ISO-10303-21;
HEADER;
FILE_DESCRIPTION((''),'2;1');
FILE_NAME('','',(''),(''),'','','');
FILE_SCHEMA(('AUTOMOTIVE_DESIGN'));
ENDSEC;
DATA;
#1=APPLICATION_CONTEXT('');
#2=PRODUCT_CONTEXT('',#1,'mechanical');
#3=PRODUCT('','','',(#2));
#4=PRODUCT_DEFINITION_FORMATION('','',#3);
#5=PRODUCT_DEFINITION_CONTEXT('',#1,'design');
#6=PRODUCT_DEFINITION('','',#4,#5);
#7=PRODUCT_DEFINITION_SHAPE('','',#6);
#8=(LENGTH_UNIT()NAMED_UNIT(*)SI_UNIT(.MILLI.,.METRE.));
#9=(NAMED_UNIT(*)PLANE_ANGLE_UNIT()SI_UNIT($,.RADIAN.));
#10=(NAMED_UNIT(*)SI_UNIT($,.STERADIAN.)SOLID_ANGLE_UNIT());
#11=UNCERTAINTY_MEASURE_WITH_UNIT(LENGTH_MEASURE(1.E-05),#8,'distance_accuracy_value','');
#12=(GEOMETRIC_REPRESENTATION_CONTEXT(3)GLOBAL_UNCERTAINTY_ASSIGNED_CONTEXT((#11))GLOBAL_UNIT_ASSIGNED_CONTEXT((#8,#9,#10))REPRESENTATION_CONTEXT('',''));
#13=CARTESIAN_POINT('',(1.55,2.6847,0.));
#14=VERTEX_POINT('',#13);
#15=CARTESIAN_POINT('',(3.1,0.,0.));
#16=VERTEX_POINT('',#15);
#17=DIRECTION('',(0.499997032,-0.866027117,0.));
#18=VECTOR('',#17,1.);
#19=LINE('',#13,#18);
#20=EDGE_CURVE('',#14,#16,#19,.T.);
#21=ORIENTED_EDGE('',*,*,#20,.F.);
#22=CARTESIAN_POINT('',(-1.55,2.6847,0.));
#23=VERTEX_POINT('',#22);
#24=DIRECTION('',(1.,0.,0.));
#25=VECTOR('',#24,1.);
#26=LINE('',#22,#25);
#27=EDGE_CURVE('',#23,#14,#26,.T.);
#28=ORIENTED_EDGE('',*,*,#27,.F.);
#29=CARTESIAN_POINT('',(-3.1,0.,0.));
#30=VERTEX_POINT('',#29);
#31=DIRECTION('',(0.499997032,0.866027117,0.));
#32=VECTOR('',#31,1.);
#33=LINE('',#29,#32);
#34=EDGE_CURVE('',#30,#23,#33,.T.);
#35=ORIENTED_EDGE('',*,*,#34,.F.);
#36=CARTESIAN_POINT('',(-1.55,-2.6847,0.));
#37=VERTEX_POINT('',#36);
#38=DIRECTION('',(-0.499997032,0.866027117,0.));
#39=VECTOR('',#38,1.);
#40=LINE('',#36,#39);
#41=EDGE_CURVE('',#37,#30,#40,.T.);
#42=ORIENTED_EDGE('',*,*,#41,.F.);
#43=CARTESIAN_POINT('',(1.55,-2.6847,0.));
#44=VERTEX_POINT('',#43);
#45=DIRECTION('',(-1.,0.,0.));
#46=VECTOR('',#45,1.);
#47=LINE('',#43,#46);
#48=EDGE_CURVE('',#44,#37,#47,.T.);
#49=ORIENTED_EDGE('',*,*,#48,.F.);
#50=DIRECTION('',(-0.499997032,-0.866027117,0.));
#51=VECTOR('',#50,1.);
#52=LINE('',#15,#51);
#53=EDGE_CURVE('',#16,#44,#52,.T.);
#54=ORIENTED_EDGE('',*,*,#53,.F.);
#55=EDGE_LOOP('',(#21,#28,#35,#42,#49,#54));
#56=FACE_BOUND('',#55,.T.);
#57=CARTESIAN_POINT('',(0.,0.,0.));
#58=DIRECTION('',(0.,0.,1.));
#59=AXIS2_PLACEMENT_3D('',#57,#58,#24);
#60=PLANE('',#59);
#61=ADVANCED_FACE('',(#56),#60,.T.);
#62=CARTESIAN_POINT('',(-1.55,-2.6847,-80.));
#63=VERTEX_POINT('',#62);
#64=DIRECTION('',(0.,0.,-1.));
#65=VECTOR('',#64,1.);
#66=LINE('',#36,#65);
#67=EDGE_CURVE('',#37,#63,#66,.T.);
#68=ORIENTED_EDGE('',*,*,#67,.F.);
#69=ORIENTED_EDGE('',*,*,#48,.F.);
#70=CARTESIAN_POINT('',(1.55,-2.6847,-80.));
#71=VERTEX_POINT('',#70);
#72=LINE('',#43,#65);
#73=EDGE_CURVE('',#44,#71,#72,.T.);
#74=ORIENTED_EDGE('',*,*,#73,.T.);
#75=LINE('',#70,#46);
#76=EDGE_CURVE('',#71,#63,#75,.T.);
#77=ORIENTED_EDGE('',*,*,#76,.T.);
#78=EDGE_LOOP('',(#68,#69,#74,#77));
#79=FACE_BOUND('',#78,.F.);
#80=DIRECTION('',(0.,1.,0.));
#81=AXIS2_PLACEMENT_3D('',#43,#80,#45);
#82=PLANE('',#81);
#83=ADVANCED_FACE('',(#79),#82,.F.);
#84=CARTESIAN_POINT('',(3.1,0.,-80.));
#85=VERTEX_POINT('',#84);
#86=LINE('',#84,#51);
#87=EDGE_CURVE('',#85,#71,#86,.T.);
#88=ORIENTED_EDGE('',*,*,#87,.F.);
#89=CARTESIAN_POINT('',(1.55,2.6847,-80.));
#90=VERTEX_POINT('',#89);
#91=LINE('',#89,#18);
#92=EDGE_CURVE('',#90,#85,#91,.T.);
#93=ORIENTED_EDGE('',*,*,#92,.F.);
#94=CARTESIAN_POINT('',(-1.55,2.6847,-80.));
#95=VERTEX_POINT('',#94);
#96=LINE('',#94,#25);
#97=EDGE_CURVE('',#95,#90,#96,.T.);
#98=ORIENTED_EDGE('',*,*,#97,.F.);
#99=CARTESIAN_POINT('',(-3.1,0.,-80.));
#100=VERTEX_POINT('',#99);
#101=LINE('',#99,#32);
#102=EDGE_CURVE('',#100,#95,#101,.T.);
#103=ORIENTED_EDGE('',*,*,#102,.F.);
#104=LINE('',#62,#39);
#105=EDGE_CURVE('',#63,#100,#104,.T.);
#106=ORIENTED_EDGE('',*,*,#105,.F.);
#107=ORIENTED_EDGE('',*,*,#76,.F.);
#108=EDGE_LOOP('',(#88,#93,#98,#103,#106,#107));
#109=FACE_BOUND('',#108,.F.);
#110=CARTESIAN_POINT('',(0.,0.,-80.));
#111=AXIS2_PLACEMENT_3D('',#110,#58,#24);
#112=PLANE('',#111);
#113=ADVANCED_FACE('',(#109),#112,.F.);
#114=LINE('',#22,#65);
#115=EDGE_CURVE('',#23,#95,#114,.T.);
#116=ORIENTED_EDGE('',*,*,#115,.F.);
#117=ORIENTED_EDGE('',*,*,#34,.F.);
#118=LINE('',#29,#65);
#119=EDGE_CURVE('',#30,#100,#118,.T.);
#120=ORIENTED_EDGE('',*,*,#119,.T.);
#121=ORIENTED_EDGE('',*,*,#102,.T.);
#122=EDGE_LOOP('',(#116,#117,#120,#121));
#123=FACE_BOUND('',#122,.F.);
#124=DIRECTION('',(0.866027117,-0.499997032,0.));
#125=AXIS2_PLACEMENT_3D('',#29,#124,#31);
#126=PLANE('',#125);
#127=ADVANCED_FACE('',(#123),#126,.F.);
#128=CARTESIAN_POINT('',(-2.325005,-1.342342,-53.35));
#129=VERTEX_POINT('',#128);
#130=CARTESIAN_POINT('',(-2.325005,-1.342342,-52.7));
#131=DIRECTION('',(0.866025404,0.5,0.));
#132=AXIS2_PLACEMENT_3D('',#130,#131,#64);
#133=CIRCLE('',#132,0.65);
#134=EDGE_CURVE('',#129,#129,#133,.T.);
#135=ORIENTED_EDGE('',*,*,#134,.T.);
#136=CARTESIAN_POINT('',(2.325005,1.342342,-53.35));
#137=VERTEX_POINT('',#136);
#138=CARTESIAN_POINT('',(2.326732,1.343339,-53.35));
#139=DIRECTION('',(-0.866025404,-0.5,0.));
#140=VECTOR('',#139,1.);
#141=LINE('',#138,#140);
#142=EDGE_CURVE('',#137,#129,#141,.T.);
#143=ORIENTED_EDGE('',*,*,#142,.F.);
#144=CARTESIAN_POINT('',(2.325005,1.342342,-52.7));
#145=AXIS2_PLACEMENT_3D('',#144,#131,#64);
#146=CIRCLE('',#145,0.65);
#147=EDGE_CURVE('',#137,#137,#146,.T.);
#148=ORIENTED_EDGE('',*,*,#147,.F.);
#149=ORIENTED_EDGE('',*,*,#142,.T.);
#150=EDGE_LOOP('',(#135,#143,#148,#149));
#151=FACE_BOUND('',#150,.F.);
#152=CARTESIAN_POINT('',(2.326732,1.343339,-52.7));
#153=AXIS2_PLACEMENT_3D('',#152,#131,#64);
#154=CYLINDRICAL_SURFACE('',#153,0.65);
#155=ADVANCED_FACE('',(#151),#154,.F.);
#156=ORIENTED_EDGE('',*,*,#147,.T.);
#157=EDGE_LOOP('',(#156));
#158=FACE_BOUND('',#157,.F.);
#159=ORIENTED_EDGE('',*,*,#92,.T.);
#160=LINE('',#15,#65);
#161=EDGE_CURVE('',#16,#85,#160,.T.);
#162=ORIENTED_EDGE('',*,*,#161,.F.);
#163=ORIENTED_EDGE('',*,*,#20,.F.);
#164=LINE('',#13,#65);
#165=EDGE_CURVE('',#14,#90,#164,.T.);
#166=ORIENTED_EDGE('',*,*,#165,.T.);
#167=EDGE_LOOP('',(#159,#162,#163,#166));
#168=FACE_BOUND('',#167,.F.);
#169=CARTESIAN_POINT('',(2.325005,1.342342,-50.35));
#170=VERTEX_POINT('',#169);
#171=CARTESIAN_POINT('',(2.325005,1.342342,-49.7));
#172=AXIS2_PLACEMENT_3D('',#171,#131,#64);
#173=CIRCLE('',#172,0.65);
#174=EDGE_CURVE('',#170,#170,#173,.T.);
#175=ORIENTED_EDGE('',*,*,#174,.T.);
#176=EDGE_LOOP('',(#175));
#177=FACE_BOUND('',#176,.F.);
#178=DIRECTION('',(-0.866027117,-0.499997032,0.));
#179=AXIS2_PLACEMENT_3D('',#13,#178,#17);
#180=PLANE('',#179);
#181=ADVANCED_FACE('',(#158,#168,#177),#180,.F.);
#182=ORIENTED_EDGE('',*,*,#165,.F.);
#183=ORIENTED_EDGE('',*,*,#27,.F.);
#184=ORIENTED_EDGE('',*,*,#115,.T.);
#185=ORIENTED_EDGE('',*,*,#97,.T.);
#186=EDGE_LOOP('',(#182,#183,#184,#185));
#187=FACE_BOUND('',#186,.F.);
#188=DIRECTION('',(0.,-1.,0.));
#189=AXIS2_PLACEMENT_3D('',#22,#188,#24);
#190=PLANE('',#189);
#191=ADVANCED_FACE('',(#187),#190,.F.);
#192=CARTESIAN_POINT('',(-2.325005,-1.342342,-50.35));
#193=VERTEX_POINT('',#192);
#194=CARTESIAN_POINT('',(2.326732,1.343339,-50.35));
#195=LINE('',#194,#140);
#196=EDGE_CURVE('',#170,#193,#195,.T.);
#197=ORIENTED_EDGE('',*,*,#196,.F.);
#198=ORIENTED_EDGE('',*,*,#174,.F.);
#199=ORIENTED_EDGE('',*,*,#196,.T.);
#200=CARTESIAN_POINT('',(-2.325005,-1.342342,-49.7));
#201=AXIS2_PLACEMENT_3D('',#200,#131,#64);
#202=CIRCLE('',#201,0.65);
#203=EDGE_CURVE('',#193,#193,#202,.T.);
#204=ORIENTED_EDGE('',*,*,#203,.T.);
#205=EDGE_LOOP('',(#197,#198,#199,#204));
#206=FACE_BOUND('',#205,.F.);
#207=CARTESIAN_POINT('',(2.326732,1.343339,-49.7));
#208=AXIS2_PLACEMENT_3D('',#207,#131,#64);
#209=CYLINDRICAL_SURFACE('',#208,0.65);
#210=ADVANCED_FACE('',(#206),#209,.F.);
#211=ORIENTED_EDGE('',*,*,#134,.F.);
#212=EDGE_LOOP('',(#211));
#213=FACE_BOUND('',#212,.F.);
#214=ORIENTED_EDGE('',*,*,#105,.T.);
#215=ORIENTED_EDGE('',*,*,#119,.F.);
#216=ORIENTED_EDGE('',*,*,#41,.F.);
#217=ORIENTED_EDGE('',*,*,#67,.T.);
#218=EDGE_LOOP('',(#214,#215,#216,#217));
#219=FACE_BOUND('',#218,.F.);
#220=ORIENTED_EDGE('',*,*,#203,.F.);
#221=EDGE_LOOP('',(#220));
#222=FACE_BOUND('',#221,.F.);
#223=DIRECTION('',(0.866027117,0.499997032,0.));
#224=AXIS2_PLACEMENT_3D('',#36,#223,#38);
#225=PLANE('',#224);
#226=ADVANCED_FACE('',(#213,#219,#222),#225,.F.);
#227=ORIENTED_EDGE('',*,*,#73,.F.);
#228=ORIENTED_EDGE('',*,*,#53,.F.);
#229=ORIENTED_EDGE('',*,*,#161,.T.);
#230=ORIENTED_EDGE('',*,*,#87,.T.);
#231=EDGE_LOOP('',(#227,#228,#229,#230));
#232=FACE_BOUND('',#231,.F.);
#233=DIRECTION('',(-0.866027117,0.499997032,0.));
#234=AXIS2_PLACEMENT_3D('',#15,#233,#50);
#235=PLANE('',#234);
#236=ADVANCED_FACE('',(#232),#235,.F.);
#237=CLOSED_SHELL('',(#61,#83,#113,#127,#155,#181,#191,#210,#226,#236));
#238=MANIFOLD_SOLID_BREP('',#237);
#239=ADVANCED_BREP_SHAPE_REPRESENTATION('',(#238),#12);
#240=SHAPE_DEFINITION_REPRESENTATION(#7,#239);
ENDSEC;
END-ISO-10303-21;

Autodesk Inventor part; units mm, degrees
ref_plane "YZ Plane" through (0, 0, 0) normal (1, 0, 0) x (0, 1, 0)
ref_plane "XZ Plane" through (0, 0, 0) normal (0, 1, 0) x (-1, 0, 0)
ref_plane "XY Plane" through (0, 0, 0) normal (0, 0, 1) x (1, 0, 0)
sketch "Sketch1" plane through (0, 0, 0) normal (0, 0, 1) x (1, 0, 0)
  circle A0 centre (0, 0) radius 7.5 projected
  line L0 (-1.7809, 3.0847) -> (1.7809, 3.0847) projected
  line L1 (0, 0) -> (3.1, 0) construction
  line L2 (0, 0) -> (1.55, 2.6847) construction
  line L3 (0, 0) -> (-1.55, 2.6847) construction
  line L4 (0, 0) -> (-3.1, 0) construction
  line L5 (0, 0) -> (-1.55, -2.6847) construction
  line L6 (0, 0) -> (1.55, -2.6847) construction
  line L7 (-1.55, 2.6847) -> (1.55, 2.6847)
  line L8 (1.55, 2.6847) -> (3.1, 0)
  line L9 (3.1, 0) -> (1.55, -2.6847)
  line L10 (1.55, -2.6847) -> (-1.55, -2.6847)
  line L11 (-1.55, -2.6847) -> (-3.1, 0)
  line L12 (-3.1, 0) -> (-1.55, 2.6847)
  point P0 (0, 0)
  dimension "d0" = 3.1
  dimension "d3" = 360
extrude "Extrusion1" add sketch "Sketch1" against normal blind 80 contours L7 L8 L9 L10 L11 L12
sketch "Sketch2" plane through (3.1, 0, 0) normal (0.866, 0.5, 0) x (0, 0, -1)
  line L0 (0, 3.1) -> (80, 3.1) projected
  line L1 (0, 0) -> (80, 0) projected
  circle A0 centre (49.7, 1.55) radius 0.65
  line L2 (0, 0) -> (0, 3.1) projected
  circle A1 centre (49.7, 7.5397) radius 0.65 projected
  circle A2 centre (52.7, 1.55) radius 0.65
  point P0 (0, 1.55)
  point P1 (0, 1.55)
  dimension "d7" = 1.3
  dimension "d8" = 49.7
  dimension "d9" = 3
extrude "Extrusion3" cut sketch "Sketch2" against normal blind 80 contours A0 | A2
properties part number "eje3_n"
